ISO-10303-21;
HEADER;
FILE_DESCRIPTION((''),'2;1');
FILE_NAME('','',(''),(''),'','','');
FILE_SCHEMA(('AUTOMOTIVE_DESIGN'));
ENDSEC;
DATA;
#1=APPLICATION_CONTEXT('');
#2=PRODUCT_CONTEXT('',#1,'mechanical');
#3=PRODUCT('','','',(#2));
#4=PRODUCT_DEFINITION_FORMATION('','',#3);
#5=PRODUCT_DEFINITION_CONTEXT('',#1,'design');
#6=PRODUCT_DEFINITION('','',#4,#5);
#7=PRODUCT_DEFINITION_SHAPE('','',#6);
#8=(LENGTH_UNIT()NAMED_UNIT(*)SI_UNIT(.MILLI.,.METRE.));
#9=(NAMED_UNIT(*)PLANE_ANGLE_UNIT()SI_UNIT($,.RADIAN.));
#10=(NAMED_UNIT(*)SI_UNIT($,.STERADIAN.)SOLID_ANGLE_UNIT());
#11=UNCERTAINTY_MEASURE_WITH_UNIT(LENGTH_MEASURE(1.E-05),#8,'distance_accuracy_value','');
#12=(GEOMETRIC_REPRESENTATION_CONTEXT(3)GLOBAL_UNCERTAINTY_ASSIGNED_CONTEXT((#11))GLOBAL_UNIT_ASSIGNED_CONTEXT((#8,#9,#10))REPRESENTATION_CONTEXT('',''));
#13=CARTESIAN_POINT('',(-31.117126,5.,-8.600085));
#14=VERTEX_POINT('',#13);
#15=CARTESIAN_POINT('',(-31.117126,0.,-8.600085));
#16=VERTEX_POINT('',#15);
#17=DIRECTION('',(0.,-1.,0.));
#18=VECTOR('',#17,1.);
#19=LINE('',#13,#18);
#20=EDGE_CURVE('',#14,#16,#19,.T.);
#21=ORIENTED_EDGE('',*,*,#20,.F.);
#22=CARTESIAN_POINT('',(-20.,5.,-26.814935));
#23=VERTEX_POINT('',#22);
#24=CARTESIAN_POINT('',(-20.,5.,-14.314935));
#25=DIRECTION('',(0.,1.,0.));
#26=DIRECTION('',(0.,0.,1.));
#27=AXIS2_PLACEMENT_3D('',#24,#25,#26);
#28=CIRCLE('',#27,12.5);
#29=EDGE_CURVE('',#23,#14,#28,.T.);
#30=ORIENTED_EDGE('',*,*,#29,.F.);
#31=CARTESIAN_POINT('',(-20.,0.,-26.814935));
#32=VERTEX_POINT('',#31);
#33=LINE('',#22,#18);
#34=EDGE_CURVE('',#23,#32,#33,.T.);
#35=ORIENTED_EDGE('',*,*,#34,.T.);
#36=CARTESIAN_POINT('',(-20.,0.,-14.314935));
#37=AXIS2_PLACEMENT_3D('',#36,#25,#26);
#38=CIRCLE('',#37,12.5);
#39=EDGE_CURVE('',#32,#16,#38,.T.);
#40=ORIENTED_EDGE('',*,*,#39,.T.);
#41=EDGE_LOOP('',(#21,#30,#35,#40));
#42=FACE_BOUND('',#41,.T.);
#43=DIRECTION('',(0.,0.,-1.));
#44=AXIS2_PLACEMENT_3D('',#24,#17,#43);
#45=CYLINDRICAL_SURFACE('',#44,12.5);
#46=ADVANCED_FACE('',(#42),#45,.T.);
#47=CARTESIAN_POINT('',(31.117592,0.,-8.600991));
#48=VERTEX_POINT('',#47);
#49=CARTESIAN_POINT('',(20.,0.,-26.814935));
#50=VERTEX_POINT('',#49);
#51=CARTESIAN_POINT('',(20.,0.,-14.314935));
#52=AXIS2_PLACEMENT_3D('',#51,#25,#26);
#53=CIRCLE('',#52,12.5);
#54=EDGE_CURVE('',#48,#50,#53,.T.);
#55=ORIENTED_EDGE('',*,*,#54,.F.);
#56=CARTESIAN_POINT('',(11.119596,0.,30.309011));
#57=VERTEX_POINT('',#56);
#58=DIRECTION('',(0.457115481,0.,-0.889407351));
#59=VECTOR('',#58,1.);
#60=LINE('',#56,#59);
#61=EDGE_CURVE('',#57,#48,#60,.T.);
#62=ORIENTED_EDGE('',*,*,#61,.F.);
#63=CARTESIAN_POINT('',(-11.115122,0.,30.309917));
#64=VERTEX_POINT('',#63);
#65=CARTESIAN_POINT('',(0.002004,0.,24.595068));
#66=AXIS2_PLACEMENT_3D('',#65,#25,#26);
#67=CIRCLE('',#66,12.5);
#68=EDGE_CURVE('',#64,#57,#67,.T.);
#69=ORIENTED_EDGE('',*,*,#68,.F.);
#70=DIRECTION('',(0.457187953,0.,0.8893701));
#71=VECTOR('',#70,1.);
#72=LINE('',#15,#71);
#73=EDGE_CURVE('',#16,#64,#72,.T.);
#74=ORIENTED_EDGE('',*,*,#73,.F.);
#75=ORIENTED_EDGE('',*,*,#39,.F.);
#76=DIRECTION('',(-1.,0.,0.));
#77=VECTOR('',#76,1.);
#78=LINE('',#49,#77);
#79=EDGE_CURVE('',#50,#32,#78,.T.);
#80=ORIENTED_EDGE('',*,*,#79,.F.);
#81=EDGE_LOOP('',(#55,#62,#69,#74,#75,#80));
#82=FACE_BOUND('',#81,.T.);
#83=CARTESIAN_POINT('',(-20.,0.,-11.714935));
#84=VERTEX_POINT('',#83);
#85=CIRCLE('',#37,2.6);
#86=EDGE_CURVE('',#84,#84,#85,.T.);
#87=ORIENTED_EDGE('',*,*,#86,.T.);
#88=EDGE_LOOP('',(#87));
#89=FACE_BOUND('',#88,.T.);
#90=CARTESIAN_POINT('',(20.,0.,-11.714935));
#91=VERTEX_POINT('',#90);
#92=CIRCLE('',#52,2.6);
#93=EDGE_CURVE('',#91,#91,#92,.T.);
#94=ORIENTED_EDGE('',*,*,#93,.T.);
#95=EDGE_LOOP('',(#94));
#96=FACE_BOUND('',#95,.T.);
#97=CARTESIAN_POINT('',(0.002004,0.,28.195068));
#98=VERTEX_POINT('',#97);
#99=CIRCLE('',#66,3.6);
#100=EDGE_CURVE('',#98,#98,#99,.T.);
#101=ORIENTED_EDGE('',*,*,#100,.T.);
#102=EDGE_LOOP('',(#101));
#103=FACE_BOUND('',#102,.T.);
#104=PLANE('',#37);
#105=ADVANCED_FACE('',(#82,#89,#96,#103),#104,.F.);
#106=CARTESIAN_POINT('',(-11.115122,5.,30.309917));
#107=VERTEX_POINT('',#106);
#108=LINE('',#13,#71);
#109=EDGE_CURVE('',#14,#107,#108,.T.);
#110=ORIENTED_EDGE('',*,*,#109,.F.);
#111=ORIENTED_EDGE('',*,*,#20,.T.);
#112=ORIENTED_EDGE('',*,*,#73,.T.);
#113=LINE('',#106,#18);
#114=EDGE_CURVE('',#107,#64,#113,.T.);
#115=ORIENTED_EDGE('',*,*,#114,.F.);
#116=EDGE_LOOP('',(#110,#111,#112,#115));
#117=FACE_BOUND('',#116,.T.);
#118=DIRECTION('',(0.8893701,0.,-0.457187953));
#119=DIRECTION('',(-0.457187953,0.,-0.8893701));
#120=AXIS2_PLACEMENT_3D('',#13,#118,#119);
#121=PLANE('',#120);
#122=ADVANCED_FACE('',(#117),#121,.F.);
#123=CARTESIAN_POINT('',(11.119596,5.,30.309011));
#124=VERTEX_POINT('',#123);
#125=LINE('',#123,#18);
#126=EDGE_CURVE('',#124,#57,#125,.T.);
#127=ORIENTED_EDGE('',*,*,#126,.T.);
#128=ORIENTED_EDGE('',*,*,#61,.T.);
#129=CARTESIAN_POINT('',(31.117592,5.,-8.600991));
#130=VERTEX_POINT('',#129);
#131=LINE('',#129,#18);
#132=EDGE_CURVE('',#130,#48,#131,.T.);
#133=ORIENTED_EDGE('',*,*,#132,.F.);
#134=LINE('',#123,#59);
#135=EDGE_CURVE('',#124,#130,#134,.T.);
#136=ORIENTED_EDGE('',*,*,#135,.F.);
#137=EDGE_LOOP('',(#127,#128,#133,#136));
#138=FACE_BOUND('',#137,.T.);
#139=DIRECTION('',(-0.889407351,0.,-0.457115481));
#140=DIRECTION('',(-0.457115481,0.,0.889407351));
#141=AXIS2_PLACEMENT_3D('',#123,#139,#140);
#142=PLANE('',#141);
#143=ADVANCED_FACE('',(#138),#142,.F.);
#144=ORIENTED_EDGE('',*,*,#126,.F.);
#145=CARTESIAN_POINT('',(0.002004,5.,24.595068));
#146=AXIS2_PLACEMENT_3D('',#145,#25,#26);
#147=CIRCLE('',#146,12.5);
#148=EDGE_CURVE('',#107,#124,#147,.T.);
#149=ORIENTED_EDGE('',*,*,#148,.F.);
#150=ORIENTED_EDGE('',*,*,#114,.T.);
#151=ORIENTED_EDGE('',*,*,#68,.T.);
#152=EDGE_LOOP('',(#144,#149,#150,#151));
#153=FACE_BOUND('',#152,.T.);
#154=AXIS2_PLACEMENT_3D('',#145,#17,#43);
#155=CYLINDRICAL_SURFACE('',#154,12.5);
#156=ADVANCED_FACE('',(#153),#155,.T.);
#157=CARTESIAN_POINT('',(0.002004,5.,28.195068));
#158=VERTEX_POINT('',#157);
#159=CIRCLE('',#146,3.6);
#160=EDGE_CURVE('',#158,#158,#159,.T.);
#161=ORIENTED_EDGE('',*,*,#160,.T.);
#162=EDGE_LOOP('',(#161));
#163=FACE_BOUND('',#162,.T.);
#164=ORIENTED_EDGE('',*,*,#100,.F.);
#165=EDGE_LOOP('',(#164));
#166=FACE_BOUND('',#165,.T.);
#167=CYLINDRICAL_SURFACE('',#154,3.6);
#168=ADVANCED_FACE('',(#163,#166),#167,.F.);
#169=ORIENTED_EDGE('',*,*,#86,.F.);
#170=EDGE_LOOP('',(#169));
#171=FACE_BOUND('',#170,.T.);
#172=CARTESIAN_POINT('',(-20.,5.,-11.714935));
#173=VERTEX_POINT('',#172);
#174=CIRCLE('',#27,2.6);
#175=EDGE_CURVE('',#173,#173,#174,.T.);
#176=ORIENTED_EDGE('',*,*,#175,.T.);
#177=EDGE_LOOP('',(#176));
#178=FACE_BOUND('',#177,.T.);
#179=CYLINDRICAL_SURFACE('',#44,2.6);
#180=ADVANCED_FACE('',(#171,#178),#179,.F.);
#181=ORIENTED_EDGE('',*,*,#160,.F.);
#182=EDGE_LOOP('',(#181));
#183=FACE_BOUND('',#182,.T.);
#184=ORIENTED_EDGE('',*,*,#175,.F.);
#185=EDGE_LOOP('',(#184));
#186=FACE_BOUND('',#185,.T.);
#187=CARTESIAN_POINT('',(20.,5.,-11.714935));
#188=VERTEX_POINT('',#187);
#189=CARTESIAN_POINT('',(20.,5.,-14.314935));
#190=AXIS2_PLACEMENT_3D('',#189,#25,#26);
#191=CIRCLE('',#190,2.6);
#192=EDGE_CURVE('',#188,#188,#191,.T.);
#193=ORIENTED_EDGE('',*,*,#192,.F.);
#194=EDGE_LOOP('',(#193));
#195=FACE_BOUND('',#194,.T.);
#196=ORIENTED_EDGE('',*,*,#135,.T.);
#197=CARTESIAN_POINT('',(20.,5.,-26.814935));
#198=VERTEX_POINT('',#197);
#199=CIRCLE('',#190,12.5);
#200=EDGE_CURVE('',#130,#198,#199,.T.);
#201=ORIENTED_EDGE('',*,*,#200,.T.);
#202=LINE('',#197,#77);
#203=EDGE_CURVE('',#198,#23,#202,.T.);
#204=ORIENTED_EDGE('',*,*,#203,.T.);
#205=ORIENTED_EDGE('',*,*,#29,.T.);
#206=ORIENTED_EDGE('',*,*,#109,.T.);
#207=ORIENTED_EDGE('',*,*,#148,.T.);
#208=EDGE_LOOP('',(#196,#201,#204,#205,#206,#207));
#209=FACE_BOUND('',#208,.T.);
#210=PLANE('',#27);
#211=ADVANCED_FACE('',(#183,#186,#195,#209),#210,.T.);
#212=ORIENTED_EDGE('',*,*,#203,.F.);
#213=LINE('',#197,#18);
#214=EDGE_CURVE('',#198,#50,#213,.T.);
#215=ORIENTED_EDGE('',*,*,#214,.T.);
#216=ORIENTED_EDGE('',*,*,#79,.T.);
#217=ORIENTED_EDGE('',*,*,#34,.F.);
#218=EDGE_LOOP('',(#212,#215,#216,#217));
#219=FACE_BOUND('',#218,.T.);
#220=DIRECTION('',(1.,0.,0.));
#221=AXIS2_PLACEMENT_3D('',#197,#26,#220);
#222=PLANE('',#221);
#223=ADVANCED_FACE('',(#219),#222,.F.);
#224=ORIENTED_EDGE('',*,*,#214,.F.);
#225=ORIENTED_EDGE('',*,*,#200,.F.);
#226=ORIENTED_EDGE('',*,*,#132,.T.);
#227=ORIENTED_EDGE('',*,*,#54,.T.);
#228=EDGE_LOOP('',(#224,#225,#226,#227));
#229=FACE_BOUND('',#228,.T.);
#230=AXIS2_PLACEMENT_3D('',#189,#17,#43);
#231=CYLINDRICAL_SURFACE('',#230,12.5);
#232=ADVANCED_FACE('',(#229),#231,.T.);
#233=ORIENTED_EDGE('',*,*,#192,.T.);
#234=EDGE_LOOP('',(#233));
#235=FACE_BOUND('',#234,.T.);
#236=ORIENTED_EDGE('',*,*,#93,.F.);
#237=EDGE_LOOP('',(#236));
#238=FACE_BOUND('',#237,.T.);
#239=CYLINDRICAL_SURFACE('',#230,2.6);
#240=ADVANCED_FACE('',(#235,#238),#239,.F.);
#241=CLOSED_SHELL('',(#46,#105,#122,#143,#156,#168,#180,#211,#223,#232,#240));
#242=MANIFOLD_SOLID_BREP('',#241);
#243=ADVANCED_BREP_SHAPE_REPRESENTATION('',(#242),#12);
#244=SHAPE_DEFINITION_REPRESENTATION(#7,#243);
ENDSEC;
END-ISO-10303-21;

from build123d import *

# Parameters (mm, degrees)
SKETCH1_R           = 2.6
SKETCH1_R_2         = 3.6
BOSS_EXTRUDE1_DEPTH = 5


with BuildPart() as part:
    # Sketch1 → Boss-Extrude1 (new body)
    with BuildSketch(Plane(origin=(0, 0, 0), x_dir=(1, 0, 0), z_dir=(0, 1, 0))):
        with BuildLine():
            Line((-31.117126255, 8.600085423), (-11.115122128, -30.309917119))
            ThreePointArc((-11.115122128, -30.309917119), (0.002513408, -37.095067694), (11.119596019, -30.309011222))
            Line((11.119596019, -30.309011222), (31.117591892, 8.60099132))
            ThreePointArc((31.117591892, 8.60099132), (30.669449235, 20.827449945), (20, 26.814934838))
            Line((20, 26.814934838), (-20, 26.814934838))
            ThreePointArc((-20, 26.814934838), (-30.669714562, 20.82701524), (-31.117126255, 8.600085423))
        make_face()
        with Locations(Location((-20, 14.314934838, 0), (0, 0, 270))):
            Circle(SKETCH1_R, mode=Mode.SUBTRACT)
        with Locations(Location((20, 14.314934838, 0), (0, 0, 270))):
            Circle(SKETCH1_R, mode=Mode.SUBTRACT)
        with Locations(Location((0.002004127, -24.595067704, 0), (0, 0, 270))):
            Circle(SKETCH1_R_2, mode=Mode.SUBTRACT)
    extrude(amount=BOSS_EXTRUDE1_DEPTH)


solid = part.part
